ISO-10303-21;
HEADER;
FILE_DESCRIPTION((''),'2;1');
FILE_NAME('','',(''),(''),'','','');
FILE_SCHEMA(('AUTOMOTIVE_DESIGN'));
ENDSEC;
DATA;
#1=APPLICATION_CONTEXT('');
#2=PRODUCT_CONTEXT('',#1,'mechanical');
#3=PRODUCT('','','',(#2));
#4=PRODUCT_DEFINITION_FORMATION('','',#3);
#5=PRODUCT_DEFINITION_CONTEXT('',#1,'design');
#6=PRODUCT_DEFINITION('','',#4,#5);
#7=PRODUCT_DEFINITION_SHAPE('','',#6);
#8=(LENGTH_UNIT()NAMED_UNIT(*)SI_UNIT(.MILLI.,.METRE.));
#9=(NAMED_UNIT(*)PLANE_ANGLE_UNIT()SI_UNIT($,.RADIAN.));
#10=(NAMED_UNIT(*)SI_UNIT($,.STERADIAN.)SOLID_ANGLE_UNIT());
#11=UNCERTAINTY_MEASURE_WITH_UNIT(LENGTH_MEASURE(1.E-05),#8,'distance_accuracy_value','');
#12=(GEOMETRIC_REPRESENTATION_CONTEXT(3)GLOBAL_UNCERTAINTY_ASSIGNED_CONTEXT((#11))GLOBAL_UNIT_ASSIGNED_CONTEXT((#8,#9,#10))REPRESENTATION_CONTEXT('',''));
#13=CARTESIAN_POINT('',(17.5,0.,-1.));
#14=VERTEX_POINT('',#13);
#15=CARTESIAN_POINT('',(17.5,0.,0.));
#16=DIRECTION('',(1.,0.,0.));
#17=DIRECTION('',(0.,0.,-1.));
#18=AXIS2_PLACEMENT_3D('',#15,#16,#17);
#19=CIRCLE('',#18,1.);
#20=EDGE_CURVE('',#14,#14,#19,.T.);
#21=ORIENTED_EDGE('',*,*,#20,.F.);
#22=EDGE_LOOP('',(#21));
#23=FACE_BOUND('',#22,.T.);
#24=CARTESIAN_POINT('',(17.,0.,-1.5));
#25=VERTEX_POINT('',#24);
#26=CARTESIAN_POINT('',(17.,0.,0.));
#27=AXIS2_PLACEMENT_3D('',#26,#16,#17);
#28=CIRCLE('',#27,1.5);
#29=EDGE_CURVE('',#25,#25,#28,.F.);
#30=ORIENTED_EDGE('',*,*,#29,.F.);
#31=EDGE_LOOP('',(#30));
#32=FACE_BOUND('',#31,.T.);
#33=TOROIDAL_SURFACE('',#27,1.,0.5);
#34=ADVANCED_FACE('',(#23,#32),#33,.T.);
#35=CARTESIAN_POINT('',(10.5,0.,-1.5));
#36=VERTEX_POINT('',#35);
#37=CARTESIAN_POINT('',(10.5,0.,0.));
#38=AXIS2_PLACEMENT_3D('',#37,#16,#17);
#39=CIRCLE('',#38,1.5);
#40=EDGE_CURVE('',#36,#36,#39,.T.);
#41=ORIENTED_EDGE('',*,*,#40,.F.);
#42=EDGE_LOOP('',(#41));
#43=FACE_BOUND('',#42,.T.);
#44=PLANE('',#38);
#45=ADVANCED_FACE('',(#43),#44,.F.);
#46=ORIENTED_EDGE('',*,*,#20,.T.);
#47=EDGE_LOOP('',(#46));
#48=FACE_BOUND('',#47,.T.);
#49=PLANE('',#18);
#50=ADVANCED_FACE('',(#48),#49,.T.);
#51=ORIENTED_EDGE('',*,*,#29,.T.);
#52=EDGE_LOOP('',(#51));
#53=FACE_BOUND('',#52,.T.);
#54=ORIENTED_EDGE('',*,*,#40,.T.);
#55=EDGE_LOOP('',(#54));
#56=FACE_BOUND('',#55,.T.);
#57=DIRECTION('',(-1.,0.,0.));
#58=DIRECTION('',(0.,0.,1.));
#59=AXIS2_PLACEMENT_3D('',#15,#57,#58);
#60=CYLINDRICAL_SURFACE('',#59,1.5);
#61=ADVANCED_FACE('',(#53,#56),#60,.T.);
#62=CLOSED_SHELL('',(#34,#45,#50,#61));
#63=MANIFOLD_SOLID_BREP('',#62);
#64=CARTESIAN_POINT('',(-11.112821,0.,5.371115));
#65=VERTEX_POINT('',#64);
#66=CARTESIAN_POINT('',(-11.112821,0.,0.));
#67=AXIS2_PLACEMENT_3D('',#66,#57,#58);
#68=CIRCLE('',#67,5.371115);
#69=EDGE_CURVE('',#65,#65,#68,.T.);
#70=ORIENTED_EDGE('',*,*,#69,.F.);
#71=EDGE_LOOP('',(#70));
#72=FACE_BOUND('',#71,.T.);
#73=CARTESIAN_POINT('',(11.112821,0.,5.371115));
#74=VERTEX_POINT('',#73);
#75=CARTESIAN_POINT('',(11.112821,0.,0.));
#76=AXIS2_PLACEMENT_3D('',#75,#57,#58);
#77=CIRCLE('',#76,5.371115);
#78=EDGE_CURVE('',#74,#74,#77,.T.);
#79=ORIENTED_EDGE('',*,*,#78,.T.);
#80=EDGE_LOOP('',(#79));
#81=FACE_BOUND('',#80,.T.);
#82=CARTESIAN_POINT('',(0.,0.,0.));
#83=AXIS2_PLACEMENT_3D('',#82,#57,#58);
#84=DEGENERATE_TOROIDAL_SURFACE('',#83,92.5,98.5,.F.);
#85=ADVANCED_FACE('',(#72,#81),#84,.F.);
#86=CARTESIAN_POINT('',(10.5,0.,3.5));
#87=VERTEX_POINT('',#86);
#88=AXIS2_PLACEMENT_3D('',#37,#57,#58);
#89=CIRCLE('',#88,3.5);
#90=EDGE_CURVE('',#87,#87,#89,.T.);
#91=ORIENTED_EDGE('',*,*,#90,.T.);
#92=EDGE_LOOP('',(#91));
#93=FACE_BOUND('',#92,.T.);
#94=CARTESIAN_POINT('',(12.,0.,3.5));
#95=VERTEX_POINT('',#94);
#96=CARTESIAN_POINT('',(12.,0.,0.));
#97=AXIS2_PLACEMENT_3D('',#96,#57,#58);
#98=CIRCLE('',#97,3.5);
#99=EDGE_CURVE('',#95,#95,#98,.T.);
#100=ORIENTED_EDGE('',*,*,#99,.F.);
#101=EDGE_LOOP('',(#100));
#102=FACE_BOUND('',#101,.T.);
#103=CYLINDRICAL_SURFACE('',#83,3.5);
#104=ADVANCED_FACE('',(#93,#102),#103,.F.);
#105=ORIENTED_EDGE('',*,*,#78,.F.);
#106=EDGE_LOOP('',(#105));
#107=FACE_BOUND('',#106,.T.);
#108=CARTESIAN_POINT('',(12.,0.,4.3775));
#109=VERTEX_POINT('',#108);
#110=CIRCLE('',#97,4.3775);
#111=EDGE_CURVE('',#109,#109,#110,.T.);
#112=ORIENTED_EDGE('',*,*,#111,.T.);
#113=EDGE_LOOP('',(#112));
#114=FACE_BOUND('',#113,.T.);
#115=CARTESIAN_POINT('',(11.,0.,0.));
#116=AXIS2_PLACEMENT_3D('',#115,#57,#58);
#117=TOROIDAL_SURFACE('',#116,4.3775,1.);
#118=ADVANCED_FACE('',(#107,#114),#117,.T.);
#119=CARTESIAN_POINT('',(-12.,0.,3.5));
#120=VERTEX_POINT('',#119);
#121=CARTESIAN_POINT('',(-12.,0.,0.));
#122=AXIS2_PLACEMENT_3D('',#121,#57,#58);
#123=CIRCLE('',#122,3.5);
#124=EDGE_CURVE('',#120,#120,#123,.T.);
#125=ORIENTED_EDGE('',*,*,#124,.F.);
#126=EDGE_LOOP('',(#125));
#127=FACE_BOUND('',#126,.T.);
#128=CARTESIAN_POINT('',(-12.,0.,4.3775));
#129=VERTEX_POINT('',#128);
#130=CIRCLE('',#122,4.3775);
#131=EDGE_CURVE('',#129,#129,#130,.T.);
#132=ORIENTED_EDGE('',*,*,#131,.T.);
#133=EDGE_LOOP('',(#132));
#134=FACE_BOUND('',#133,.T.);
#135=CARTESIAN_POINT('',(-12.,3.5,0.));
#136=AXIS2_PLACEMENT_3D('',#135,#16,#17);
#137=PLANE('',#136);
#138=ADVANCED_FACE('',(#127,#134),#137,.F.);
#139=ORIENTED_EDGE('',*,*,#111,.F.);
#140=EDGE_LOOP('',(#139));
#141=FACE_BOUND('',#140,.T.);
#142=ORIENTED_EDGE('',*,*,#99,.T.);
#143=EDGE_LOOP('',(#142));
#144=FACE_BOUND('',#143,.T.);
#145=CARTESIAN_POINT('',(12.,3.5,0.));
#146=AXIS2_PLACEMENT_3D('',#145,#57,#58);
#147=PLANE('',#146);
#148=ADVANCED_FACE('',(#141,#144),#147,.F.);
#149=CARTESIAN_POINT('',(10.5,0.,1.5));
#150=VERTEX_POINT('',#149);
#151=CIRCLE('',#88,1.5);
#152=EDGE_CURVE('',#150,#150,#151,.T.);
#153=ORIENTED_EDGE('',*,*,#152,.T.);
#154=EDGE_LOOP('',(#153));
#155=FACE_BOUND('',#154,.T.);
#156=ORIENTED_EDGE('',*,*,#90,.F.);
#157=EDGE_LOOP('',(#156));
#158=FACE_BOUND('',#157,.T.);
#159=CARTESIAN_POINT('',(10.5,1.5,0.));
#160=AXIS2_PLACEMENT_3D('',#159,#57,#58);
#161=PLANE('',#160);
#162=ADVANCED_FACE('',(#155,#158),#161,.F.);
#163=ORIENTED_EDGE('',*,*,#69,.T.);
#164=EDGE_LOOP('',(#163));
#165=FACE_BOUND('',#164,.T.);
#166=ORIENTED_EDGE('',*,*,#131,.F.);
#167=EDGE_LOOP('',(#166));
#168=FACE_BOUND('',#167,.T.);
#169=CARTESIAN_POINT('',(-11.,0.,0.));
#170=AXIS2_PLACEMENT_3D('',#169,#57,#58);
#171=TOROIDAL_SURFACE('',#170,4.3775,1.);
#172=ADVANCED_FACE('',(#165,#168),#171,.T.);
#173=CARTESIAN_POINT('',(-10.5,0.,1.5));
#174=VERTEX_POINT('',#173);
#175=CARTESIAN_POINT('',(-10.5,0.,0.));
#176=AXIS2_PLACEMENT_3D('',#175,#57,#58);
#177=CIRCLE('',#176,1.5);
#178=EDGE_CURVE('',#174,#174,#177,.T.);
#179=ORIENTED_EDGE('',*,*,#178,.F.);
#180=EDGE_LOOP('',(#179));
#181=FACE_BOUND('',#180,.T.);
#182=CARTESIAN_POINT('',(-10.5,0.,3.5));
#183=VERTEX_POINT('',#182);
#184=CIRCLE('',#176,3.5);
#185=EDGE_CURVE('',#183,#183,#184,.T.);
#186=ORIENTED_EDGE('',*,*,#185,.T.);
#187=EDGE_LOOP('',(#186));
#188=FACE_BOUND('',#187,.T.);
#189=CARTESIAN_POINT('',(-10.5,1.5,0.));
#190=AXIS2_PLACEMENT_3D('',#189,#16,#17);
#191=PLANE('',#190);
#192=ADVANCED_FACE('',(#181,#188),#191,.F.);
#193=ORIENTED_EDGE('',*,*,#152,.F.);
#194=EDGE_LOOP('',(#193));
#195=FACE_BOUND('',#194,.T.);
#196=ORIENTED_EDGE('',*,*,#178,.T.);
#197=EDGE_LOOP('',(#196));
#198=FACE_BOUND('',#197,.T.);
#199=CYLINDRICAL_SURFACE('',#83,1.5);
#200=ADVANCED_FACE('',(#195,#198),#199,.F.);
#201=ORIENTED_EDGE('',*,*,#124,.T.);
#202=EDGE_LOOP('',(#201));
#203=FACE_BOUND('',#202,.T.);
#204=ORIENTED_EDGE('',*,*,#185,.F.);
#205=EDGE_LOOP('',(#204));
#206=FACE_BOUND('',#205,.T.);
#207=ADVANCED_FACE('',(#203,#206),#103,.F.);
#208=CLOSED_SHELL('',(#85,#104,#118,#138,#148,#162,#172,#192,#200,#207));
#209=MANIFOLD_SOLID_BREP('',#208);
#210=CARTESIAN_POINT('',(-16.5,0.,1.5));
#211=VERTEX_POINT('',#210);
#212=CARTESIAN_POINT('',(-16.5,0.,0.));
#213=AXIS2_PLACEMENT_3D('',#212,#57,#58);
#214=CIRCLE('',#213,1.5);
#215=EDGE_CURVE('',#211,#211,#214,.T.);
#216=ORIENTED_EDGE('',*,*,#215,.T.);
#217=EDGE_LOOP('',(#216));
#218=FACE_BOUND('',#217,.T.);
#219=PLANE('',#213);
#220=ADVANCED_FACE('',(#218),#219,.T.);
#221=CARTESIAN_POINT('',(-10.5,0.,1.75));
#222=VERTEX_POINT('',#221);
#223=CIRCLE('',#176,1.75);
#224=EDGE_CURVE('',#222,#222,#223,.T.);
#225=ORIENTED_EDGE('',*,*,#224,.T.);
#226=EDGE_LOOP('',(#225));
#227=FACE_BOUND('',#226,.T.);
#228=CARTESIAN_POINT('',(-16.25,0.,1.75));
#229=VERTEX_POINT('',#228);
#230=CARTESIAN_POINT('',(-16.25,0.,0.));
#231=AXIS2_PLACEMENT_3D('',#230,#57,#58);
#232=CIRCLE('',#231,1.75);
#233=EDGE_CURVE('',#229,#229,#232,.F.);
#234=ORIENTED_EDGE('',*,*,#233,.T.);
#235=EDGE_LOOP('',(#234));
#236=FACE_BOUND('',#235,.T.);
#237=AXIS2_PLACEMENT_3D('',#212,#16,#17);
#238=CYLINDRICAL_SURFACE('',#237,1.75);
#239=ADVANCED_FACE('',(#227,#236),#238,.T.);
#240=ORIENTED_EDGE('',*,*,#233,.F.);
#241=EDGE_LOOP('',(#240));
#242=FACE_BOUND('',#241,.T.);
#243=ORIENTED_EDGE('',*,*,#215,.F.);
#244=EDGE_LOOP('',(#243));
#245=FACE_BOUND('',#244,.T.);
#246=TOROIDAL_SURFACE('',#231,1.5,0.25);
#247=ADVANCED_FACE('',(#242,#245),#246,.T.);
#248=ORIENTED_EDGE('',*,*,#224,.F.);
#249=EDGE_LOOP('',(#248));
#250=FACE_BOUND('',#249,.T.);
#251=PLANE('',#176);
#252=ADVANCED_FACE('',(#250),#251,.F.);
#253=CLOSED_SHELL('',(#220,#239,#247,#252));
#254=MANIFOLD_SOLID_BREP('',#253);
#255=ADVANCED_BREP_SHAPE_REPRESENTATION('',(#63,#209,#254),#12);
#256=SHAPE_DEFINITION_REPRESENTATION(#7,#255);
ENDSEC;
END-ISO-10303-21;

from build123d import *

# Parameters (mm, degrees)
SKETCH2_R           = 1.5
BOSS_EXTRUDE1_DEPTH = 7
SKETCH3_R           = 1.75
BOSS_EXTRUDE2_DEPTH = 6
FILLET1_R           = 0.5
FILLET2_R           = 0.25


with BuildPart() as part:
    # Sketch1 → Revolve2 (revolve)
    with BuildSketch(Plane.XY):
        with BuildLine():
            Line((-10.5, 1.5), (10.5, 1.5))
            Line((10.5, 1.5), (10.5, 3.5))
            Line((10.5, 3.5), (12, 3.5))
            Line((12, 3.5), (12, 4.377499968))
            ThreePointArc((12, 4.377499968), (11.745929123, 5.0435253), (11.112820513, 5.371115352))
            ThreePointArc((11.112820513, 5.371115352), (0, 6), (-11.112820513, 5.371115352))
            ThreePointArc((-11.112820513, 5.371115352), (-11.745929123, 5.0435253), (-12, 4.377499968))
            Line((-12, 4.377499968), (-12, 3.5))
            Line((-12, 3.5), (-10.5, 3.5))
            Line((-10.5, 3.5), (-10.5, 1.5))
        make_face()
    revolve(axis=Axis((0, 0, 0), (1, 0, 0)))


with BuildPart() as body_2:
    # Sketch2 → Boss-Extrude1 (new body)
    with BuildSketch(Plane(origin=(10.5, 0, 0), x_dir=(0, 0, -1), z_dir=(1, 0, 0))):
        Circle(SKETCH2_R)
    extrude(amount=BOSS_EXTRUDE1_DEPTH)

    # Fillet1
    fillet1_edges = [body_2.edges().sort_by_distance(p)[0] for p in [
        (17.5, 0, 1.5),
    ]]
    fillet(fillet1_edges, radius=FILLET1_R)


with BuildPart() as body_3:
    # Sketch3 → Boss-Extrude2 (new body)
    with BuildSketch(Plane.ZY.offset(10.5)):
        Circle(SKETCH3_R)
    extrude(amount=BOSS_EXTRUDE2_DEPTH)

    # Fillet2
    fillet2_edges = [body_3.edges().sort_by_distance(p)[0] for p in [
        (-16.5, 0, -1.75),
    ]]
    fillet(fillet2_edges, radius=FILLET2_R)


solid = Compound([part.part, body_2.part, body_3.part])
